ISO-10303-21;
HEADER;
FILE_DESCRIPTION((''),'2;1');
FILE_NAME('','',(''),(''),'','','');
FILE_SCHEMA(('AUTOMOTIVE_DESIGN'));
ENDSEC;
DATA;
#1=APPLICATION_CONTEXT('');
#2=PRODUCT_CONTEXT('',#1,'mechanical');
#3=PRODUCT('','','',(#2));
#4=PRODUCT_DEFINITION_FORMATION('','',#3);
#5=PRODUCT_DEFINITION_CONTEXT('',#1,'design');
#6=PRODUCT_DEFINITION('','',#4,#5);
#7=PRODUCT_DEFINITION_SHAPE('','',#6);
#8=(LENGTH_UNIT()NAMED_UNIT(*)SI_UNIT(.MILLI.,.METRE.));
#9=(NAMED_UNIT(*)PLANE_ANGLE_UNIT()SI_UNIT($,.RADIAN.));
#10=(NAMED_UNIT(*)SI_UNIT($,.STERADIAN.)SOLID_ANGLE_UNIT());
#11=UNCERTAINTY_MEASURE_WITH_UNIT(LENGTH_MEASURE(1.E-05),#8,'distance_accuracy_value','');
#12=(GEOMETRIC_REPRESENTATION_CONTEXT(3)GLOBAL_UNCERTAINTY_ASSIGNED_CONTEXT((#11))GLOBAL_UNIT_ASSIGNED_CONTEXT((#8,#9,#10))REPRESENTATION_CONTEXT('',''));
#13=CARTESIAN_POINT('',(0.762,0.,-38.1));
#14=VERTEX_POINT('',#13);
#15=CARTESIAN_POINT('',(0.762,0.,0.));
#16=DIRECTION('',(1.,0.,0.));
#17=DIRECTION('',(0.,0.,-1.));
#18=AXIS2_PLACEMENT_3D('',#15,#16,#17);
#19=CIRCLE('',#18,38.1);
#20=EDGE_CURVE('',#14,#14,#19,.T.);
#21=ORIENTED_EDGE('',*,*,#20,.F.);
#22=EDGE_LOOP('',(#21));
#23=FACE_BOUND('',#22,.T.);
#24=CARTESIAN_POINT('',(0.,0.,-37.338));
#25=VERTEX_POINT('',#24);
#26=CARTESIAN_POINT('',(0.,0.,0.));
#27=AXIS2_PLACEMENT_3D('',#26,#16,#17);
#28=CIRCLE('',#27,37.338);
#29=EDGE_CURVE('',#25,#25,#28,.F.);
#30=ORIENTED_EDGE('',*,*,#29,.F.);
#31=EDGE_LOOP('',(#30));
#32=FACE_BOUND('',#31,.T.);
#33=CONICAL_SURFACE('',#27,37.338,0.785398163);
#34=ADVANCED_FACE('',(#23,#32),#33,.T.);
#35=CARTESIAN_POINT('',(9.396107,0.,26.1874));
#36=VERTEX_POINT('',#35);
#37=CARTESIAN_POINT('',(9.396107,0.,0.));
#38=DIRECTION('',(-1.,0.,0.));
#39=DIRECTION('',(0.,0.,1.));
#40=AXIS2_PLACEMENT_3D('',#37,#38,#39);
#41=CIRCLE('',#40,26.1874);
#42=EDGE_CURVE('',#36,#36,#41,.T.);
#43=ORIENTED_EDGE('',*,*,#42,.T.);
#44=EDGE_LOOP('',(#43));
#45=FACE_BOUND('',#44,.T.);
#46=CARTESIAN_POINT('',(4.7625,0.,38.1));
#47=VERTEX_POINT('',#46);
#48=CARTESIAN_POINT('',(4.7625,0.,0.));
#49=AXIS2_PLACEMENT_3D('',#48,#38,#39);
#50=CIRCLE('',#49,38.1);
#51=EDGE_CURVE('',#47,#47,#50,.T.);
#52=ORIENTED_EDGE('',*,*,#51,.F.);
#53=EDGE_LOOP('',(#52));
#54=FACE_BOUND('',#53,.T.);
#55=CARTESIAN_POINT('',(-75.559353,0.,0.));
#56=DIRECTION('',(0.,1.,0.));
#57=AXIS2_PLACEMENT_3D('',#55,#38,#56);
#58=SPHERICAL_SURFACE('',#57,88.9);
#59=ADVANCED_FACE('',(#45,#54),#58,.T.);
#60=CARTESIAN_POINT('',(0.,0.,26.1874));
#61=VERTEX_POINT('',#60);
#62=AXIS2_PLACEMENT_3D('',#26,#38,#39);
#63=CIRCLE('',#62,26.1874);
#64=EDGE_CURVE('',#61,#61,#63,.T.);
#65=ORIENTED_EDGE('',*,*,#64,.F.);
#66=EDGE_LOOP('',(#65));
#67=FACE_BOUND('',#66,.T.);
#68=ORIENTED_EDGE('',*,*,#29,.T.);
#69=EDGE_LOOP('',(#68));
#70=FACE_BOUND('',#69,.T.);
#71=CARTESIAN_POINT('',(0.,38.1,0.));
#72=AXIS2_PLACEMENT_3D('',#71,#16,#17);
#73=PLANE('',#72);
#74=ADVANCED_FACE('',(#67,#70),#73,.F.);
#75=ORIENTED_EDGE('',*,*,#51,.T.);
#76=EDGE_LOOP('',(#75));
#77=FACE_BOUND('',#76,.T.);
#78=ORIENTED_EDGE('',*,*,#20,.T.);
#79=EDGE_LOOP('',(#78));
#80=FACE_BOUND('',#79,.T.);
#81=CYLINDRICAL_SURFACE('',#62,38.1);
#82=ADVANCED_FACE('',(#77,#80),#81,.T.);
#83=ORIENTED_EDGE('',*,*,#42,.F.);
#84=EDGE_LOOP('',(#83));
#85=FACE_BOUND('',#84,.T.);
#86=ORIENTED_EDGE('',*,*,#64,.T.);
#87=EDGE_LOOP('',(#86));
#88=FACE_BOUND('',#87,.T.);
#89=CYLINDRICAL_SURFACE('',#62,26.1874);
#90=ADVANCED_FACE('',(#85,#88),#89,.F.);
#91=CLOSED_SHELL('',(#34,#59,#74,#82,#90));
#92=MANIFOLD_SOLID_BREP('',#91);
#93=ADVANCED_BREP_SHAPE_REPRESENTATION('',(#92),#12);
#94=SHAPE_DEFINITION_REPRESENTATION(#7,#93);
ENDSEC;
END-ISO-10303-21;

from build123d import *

# Parameters (mm, degrees)
CHAMFER1_SIZE = 0.762


with BuildPart() as part:
    # Sketch1 → Revolve1 (revolve)
    with BuildSketch(Plane.XY, mode=Mode.PRIVATE) as revolve1_sk:
        with BuildLine():
            Line((0, 38.1), (4.7625, 38.1))
            ThreePointArc((4.7625, 38.1), (7.293679798, 32.227085313), (9.396106828, 26.1874))
            Line((9.396106828, 26.1874), (0, 26.1874))
            Line((0, 26.1874), (0, 38.1))
        make_face()
    revolve(revolve1_sk.sketch.rotate(Axis((0, 0, 0), (1, 0, 0)), 90), axis=Axis((0, 0, 0), (1, 0, 0)))  # turned: the seam where the file's is

    # Chamfer1
    chamfer1_edges = [part.edges().sort_by_distance(p)[0] for p in [
        (0, 0, -38.1),
    ]]
    chamfer(chamfer1_edges, length=CHAMFER1_SIZE)


solid = part.part
